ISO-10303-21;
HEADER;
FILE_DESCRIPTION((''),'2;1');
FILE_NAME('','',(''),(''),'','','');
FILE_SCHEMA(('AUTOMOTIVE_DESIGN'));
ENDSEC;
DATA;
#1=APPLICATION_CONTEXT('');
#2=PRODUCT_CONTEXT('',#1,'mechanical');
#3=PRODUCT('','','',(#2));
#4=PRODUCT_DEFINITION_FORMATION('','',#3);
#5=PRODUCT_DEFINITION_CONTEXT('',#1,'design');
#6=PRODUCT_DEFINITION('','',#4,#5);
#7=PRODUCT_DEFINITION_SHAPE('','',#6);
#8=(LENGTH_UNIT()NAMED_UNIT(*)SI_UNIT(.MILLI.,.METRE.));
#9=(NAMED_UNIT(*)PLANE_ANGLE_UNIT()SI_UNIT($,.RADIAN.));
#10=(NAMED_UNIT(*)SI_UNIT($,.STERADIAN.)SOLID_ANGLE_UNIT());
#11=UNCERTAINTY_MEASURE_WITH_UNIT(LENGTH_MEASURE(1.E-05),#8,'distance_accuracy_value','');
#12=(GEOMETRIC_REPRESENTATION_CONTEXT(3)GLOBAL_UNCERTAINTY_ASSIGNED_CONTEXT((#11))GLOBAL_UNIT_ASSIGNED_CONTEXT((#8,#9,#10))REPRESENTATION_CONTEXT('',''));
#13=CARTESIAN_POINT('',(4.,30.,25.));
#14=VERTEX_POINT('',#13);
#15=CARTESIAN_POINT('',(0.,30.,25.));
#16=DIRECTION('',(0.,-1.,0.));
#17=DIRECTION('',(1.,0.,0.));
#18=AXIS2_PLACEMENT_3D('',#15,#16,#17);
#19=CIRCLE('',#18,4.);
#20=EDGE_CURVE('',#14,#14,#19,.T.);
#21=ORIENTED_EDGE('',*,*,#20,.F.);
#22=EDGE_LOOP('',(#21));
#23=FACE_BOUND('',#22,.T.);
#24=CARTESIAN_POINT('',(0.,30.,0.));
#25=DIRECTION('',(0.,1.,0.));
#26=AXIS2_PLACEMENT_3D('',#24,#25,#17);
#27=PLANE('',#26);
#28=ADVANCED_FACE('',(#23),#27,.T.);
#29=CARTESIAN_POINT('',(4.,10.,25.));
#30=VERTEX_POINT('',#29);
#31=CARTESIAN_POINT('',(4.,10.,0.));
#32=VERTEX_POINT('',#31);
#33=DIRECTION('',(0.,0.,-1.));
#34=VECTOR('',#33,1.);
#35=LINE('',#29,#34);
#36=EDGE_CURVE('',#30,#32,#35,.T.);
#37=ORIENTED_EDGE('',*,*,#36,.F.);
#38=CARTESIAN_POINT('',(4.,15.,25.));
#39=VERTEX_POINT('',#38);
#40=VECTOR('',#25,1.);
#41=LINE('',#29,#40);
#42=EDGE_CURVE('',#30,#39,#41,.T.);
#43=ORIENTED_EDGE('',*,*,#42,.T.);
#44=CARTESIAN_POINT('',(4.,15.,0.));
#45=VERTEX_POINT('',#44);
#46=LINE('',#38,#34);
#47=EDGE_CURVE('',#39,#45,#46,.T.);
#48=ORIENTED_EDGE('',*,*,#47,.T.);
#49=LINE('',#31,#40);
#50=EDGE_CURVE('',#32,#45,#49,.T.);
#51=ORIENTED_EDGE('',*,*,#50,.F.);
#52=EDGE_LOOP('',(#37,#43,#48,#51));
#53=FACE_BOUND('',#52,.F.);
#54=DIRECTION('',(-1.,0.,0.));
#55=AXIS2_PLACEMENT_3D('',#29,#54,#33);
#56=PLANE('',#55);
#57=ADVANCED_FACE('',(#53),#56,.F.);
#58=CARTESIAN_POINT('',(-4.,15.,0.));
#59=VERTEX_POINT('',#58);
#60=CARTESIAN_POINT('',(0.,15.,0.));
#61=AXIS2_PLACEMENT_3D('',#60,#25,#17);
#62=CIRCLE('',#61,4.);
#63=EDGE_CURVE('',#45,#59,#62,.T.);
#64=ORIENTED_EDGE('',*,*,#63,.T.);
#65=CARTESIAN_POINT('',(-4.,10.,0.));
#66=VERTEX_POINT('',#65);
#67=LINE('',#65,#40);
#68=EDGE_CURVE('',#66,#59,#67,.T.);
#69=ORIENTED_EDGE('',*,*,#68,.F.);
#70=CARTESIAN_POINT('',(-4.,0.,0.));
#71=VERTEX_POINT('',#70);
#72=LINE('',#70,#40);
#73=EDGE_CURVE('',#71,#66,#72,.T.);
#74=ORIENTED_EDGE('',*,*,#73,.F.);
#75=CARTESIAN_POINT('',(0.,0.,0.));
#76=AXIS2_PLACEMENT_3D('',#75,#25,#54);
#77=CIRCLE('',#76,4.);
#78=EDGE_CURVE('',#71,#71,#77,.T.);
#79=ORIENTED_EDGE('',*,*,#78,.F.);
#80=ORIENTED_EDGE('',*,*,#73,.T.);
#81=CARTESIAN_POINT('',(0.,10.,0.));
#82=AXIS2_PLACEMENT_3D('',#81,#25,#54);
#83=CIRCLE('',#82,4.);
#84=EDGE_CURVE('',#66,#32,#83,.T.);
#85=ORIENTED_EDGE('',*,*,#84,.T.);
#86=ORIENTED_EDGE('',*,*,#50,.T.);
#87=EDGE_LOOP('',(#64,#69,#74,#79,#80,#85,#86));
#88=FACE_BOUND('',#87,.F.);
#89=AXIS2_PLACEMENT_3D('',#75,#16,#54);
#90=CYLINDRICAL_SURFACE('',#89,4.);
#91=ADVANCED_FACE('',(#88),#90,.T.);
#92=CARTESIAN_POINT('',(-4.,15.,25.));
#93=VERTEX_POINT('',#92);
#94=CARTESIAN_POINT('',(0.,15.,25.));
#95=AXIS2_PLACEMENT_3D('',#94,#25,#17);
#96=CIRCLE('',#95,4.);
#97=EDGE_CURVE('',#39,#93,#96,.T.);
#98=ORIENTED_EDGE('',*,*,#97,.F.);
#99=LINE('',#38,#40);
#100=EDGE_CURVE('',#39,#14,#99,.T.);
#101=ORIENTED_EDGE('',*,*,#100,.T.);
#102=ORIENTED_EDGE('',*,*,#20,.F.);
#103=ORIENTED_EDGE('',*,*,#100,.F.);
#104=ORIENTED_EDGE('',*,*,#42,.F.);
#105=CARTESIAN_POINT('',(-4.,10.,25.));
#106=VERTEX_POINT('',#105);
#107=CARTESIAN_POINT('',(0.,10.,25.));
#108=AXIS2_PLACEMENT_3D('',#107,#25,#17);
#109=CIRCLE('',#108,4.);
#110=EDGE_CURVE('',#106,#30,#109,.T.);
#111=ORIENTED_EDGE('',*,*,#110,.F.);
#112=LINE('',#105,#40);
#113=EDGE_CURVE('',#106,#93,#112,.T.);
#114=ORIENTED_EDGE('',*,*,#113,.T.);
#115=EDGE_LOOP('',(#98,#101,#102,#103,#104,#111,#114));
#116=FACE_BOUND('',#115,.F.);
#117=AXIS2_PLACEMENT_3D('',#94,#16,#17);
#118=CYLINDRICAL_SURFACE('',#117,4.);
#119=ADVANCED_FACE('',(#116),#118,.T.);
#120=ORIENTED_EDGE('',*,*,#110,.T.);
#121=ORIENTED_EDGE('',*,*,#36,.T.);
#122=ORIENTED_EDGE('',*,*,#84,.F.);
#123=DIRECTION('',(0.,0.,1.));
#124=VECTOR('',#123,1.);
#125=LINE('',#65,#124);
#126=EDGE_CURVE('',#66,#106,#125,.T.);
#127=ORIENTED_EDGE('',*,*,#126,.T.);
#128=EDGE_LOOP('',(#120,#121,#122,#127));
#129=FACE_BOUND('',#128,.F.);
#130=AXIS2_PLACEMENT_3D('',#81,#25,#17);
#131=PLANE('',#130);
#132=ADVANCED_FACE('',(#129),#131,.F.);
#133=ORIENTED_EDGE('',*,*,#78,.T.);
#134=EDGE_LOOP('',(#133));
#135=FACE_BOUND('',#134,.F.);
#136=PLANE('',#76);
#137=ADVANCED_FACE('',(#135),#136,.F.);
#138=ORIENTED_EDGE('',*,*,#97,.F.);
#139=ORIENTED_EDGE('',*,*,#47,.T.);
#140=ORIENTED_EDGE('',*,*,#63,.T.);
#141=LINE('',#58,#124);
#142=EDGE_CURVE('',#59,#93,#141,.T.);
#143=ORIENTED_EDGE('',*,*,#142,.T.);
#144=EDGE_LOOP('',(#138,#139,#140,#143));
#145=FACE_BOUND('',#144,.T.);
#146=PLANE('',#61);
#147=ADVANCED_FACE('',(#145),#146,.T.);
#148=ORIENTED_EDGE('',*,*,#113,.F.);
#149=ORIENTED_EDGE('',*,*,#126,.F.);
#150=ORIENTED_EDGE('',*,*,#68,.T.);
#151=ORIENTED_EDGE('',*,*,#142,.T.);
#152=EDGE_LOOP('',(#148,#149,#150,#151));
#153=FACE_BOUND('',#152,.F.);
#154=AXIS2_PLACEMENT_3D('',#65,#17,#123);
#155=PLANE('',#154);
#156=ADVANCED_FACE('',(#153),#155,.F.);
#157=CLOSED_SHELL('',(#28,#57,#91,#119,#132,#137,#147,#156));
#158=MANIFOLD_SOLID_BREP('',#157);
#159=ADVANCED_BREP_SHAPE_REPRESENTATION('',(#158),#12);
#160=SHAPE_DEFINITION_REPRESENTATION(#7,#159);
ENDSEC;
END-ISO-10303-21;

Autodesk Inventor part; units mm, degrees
ref_plane "YZ Plane" through (0, 0, 0) normal (1, 0, 0) x (0, 1, 0)
ref_plane "XZ Plane" through (0, 0, 0) normal (0, 1, 0) x (-1, 0, 0)
ref_plane "XY Plane" through (0, 0, 0) normal (0, 0, 1) x (1, 0, 0)
sketch "Sketch1" plane through (0, 0, 0) normal (0, 1, 0) x (-1, 0, 0)
  circle A0 centre (0, 0) radius 4
  dimension "d0" = 8
extrude "Extrusion1" add sketch "Sketch1" along normal blind 10
sketch "Sketch2" plane through (0, 10, 0) normal (0, 1, 0) x (1, 0, 0)
  circle A0 centre (0, 0) radius 4
  line L0 (4, 0) -> (-4, 0)
  line L1 (-4, 0) -> (-4, -25)
  line L2 (-4, -25) -> (4, -25)
  line L3 (4, -25) -> (4, 0)
  circle A1 centre (0, -25) radius 4
  dimension "d3" = 25
extrude "Extrusion2" add sketch "Sketch2" along normal blind 5
sketch "Sketch3" plane through (0, 15, 0) normal (0, 1, 0) x (1, 0, 0)
  arc A0 (-4, -25) -> (4, -25) centre (0, -25) ccw projected
  circle A1 centre (0, -25) radius 4
  point P0 (0, 0)
extrude "Extrusion3" add sketch "Sketch3" along normal blind 15
properties part number "Vevarm"
